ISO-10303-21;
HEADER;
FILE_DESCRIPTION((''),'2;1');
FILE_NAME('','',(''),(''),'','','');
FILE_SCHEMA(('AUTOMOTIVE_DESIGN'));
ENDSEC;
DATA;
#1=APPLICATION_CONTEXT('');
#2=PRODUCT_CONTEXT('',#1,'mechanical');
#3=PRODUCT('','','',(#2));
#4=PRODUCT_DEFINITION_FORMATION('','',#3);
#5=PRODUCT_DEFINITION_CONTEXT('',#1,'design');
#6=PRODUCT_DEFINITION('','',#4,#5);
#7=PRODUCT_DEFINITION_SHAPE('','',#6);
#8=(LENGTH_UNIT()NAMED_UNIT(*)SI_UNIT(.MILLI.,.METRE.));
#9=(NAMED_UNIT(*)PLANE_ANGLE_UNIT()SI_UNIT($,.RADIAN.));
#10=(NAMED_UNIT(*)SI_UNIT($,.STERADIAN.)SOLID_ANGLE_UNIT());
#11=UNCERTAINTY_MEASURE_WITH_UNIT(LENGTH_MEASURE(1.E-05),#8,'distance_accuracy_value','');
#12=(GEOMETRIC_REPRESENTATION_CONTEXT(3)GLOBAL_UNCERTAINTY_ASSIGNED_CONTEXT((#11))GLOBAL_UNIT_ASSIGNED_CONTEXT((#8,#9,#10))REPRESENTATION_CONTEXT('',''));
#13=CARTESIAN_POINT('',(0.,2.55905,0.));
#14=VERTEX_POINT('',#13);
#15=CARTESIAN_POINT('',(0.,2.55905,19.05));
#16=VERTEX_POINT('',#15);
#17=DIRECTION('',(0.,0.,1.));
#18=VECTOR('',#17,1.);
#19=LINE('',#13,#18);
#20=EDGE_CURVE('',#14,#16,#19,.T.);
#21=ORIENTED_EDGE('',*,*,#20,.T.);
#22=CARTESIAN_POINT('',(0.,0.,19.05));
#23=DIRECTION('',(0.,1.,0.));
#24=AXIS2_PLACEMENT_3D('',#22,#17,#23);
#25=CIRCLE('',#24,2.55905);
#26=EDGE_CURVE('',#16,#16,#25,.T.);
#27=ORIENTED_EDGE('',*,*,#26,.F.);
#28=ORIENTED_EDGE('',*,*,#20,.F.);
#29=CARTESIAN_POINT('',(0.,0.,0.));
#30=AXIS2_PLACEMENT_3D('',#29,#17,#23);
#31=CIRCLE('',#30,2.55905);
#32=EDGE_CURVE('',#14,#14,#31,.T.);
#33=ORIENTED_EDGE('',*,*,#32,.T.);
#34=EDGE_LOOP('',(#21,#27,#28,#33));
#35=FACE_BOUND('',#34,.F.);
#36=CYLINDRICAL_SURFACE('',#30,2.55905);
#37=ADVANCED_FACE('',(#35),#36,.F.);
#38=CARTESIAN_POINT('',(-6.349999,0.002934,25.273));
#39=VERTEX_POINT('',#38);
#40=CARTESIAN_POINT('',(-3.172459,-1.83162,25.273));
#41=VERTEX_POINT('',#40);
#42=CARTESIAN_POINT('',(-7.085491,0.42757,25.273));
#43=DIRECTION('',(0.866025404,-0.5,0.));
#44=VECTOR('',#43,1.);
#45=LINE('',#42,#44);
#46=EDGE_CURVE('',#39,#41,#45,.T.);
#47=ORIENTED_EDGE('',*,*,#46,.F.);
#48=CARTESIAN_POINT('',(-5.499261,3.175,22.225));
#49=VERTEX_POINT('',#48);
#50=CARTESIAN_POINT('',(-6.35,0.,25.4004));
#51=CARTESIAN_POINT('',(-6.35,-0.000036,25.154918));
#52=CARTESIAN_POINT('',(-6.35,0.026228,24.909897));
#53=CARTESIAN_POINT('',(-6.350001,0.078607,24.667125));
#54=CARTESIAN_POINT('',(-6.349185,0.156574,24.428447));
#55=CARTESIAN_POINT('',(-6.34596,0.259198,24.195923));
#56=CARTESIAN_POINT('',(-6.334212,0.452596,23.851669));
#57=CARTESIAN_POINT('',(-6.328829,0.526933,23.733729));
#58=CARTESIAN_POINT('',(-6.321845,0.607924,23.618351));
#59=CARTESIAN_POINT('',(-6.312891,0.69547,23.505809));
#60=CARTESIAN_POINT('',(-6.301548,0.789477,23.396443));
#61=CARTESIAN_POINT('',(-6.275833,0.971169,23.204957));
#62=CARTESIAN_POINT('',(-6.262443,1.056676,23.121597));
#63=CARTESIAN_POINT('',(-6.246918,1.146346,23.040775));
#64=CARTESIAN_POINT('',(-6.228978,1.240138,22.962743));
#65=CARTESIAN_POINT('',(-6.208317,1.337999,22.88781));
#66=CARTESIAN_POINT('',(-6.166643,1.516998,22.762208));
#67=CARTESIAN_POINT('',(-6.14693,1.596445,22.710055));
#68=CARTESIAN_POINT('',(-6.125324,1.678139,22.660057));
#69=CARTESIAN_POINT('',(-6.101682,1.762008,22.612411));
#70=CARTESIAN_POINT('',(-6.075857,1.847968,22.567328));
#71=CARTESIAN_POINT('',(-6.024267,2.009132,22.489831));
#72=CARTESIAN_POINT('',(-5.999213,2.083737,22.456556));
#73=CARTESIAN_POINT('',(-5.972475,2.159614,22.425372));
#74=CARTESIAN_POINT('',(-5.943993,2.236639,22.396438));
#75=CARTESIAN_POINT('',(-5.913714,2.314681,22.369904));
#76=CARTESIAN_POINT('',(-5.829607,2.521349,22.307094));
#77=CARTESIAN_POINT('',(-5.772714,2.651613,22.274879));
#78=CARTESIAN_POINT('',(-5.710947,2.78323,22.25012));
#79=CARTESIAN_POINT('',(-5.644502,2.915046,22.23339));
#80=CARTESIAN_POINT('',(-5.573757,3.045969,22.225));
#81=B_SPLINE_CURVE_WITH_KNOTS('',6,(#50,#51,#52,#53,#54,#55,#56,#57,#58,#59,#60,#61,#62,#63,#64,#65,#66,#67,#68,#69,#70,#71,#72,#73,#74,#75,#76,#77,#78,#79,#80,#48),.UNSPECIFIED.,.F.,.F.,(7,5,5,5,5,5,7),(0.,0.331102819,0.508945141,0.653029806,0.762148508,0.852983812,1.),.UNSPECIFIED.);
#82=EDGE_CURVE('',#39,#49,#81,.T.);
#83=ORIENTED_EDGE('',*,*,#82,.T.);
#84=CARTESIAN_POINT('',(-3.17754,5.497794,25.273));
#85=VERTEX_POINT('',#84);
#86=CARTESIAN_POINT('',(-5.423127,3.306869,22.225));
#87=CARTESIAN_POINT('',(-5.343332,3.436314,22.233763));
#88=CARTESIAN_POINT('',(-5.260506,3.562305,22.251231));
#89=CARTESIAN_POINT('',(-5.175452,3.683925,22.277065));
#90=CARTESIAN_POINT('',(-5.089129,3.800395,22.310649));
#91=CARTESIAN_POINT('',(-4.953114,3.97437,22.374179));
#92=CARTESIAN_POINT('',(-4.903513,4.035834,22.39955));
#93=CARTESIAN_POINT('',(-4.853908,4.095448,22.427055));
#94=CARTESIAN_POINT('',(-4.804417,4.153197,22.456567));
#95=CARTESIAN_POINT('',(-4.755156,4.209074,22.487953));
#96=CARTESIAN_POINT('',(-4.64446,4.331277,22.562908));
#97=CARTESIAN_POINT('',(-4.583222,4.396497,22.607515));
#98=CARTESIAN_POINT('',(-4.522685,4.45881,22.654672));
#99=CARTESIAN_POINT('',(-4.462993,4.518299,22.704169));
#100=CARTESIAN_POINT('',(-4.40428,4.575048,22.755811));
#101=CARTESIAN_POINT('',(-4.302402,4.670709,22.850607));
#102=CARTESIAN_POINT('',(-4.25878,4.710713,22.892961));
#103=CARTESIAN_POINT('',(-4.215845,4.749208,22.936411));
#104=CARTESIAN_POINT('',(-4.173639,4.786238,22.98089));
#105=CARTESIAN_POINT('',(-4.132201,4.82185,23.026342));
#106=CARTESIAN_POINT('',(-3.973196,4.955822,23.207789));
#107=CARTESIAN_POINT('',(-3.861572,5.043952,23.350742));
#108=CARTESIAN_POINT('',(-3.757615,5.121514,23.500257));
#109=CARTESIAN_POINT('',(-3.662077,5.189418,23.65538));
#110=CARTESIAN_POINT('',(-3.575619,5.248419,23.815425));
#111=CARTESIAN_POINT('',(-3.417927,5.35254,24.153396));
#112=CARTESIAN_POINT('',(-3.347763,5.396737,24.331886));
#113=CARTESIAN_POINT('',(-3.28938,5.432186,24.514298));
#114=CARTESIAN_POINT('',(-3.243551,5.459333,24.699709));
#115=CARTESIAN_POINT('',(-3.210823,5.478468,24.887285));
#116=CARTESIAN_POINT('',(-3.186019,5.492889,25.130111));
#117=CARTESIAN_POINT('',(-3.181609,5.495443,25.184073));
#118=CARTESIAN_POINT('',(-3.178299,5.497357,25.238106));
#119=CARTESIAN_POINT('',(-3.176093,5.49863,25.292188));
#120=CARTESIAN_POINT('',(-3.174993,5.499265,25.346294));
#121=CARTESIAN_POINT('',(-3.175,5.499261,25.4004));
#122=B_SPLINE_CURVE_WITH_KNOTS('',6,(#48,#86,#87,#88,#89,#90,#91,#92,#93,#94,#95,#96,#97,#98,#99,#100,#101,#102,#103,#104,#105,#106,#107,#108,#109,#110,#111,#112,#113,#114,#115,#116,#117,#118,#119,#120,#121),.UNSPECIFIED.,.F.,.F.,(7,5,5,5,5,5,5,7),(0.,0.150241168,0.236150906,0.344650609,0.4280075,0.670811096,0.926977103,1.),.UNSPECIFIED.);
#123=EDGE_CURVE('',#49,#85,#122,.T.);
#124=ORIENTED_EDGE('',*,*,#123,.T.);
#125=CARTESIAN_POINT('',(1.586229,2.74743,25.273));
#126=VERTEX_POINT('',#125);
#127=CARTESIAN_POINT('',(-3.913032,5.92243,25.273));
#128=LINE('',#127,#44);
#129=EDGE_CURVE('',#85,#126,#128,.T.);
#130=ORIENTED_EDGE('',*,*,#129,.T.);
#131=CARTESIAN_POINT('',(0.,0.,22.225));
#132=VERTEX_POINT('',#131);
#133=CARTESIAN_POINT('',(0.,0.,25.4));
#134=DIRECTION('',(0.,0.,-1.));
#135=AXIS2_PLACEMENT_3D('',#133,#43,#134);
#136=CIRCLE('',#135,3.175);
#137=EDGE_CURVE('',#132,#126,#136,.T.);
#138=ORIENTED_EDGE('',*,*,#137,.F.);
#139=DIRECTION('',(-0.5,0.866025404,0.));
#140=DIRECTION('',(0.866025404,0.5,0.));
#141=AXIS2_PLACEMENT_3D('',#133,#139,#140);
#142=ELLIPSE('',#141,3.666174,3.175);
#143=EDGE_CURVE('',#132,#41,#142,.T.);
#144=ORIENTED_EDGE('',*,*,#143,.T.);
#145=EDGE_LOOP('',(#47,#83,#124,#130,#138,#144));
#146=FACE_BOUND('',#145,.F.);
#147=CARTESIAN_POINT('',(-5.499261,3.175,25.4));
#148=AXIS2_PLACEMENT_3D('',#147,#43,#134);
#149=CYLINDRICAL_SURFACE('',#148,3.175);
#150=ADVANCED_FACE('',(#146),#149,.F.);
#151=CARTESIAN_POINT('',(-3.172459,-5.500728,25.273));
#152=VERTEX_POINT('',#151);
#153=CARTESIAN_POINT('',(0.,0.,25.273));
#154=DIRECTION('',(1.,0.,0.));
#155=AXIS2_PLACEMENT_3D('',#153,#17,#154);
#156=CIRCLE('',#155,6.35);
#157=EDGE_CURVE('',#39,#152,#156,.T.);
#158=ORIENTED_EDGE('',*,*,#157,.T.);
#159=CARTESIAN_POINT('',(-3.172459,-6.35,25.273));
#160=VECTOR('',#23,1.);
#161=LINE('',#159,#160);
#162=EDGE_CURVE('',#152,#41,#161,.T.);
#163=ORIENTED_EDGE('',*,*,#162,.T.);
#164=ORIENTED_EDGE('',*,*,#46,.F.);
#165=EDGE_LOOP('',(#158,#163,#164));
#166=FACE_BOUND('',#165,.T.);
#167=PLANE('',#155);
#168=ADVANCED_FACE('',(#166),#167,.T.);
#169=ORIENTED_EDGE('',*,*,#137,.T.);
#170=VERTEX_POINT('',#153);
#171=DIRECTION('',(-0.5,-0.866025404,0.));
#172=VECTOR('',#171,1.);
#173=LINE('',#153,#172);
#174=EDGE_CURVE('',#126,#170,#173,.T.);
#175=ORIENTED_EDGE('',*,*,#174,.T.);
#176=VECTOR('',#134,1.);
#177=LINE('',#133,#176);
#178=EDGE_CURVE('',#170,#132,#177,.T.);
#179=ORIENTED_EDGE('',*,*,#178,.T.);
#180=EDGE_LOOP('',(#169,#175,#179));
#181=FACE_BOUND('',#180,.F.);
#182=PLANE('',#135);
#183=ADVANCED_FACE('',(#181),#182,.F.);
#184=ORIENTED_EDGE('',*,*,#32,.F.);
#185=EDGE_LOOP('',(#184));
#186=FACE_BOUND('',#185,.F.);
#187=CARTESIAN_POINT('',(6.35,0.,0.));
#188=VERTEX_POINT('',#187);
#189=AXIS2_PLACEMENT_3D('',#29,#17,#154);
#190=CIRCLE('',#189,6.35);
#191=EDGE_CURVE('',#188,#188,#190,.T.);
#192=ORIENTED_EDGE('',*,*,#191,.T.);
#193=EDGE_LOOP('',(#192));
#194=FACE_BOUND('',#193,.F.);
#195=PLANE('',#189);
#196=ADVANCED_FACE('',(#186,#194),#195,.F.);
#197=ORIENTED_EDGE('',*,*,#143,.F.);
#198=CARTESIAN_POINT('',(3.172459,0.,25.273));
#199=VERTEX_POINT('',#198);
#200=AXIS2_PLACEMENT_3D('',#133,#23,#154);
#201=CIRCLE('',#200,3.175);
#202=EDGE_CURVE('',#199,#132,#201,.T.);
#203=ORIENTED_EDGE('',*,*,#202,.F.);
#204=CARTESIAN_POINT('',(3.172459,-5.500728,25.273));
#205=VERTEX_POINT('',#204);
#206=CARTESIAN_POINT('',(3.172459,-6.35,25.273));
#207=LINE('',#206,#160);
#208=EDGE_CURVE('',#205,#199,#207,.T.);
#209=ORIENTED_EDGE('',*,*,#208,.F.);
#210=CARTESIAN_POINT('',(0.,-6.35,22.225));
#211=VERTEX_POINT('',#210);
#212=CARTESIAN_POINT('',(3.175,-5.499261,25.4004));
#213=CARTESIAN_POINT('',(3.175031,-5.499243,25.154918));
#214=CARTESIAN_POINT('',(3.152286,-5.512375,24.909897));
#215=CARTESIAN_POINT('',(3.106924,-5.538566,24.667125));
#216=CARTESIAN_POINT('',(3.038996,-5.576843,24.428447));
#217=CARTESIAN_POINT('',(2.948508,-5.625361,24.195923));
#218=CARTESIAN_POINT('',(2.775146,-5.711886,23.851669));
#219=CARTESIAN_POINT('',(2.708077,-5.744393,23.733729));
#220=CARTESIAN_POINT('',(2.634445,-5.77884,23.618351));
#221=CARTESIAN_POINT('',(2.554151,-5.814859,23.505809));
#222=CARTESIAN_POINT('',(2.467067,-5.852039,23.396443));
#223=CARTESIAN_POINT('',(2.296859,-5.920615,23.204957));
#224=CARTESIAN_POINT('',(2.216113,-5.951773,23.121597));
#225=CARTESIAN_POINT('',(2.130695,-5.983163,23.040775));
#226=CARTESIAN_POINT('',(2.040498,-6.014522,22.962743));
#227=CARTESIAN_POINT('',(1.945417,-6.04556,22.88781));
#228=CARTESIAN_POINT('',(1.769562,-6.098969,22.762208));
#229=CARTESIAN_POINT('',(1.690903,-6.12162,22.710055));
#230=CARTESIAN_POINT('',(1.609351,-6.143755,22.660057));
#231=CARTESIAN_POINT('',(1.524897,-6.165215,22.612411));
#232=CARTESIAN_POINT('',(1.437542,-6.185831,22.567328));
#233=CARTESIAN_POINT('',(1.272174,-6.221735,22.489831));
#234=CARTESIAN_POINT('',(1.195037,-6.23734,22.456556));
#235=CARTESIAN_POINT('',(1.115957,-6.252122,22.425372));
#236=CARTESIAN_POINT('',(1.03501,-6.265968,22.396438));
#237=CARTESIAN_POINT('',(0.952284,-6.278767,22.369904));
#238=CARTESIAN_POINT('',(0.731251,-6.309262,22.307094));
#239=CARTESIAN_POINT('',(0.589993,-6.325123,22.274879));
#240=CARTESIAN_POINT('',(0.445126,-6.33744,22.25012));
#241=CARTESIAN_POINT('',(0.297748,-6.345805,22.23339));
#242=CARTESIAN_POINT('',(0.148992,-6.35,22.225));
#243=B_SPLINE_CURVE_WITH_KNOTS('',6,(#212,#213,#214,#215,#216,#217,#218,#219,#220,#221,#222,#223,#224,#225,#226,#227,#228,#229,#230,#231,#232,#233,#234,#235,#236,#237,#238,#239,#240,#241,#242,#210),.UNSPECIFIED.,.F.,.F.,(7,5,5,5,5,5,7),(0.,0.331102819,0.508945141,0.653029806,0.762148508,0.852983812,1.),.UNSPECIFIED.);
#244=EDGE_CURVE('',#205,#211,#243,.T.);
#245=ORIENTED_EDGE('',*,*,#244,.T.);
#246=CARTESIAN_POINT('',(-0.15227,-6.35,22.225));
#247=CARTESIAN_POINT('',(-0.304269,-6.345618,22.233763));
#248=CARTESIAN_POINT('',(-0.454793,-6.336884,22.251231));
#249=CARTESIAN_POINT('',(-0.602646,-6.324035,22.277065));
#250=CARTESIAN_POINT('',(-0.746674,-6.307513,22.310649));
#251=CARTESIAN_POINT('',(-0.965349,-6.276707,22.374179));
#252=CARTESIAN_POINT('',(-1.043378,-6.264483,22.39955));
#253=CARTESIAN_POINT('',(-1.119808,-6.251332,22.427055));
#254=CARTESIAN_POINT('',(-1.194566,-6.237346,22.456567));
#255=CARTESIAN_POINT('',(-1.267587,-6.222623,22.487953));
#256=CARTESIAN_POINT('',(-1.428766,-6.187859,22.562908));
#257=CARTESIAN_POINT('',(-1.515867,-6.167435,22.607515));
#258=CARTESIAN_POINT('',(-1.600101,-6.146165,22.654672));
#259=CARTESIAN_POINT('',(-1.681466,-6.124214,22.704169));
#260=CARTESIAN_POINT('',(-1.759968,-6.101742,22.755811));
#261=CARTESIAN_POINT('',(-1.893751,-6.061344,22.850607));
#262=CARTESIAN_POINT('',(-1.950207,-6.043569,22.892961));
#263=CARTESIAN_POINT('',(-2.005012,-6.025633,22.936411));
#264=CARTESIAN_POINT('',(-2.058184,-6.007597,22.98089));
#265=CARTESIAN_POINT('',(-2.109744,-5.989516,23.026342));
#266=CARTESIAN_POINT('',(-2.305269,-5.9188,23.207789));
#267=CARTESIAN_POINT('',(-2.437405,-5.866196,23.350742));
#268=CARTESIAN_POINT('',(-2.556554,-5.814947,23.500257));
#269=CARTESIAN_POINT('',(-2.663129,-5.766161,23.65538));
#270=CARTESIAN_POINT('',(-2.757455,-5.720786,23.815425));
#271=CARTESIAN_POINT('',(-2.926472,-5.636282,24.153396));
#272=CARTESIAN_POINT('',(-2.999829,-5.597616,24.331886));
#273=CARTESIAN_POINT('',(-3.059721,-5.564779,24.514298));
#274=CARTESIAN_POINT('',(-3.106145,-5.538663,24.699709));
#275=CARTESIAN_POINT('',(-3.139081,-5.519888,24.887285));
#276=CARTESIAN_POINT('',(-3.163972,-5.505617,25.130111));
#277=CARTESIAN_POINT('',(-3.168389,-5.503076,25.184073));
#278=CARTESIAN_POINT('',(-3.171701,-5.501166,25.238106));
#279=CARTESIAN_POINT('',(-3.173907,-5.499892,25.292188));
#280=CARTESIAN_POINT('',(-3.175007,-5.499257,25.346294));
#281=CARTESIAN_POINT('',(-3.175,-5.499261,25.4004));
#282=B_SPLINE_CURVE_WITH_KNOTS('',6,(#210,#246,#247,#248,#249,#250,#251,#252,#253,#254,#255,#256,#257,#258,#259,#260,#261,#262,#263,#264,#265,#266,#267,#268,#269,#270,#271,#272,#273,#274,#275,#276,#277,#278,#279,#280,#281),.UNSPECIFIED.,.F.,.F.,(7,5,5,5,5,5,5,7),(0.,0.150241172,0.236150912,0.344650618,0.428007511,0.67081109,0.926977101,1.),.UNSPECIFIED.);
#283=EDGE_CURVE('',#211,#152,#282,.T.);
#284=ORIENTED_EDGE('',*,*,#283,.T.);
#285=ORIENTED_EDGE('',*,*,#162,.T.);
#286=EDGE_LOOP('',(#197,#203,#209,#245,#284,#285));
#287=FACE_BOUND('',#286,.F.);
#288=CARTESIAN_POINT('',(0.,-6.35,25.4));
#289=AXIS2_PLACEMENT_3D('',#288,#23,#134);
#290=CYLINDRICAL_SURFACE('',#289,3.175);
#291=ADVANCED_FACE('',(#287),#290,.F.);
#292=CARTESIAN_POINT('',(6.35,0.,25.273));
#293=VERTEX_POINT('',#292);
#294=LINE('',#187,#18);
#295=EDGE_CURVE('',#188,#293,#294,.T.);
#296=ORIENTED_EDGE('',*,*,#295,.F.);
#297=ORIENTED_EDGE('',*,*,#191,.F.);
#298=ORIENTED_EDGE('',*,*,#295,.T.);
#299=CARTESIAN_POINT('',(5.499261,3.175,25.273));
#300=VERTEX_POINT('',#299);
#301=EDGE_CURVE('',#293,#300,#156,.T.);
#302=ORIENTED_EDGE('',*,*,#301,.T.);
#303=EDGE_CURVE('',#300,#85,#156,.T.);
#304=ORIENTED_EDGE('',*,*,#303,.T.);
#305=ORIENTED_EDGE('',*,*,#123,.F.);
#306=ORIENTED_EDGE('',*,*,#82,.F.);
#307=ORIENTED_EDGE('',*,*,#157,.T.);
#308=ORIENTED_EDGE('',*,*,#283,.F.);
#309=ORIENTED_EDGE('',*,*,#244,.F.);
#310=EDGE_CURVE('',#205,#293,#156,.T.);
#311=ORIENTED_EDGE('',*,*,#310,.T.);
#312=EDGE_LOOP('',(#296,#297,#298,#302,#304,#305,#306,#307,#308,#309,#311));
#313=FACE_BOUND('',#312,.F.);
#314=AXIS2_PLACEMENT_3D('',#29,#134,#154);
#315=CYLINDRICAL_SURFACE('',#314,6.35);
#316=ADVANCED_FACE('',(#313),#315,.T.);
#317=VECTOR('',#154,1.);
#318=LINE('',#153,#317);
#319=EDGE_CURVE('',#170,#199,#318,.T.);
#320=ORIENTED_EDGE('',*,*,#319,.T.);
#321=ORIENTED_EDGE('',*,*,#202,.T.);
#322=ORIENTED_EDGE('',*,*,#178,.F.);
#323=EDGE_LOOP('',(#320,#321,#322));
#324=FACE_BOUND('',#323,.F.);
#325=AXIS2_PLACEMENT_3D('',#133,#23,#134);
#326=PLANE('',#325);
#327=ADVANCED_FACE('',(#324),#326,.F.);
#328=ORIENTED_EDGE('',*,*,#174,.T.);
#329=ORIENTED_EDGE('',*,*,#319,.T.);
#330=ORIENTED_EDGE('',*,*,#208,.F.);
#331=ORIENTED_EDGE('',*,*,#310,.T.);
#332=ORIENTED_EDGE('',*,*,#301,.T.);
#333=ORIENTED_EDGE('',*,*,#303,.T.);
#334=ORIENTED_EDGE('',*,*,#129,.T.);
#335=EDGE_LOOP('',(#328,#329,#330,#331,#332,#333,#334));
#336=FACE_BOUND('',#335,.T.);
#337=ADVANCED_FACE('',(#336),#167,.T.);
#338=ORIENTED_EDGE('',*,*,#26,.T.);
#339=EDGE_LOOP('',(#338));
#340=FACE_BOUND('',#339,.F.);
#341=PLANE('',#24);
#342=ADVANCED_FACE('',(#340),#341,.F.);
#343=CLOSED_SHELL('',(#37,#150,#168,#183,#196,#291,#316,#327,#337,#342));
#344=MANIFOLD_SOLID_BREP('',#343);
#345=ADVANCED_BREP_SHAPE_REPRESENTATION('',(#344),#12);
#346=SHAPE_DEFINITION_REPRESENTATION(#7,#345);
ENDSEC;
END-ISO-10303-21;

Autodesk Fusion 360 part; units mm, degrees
sketch "Sketch1" plane through (0, 0, 0) normal (0, 0, 1) x (1, 0, 0)
  circle A0 centre (0, 0) radius 6.35
  dimension "d1" = 12.7
extrude "Extrude1" add sketch "Sketch1" along normal blind 25.4
ref_plane "WorkPlane1" through (0, -6.35, 16.0163) normal (0, -1, 0) x (-1, 0, 0)
sketch "Sketch2" plane through (0, -6.35, 16.0163) normal (0, -1, 0) x (1, 0, 0)
  line L0 (6.35, 9.3837) -> (-6.35, 9.3837)
  line L1 (6.35, -16.0163) -> (-6.35, -16.0163)
  point P0 (0, 9.3837)
ref_plane "WorkPlane2" through (0, 0, 22.225) normal (0, 0, 1) x (1, 0, 0)
sketch "Sketch4" plane through (0, 0, 22.225) normal (0, 0, 1) x (1, 0, 0)
  circle A0 centre (0, 0) radius 6.35
  line L0 (0, 0) -> (0, -6.35) construction
  line L1 (0, 0) -> (5.4993, 3.175) construction
  line L2 (0, 0) -> (-5.4993, 3.175) construction
  dimension "d22" = 360
hole "Hole1" at (0, -6.35, 25.4) direction (0, 1, 0) diameter 6.35 depth 6.35 tip angle 180
pattern_circular "C-Pattern1" count 3 over 360 about axis through (0, 0, 0) along (0, 0, 1) of "Hole1"
extrude "Extrude2" cut sketch "Sketch4" against normal blind 0.127 from surface at 3.175
hole "Hole2" at (0, 0, 0) direction (0, 0, 1) diameter 2.2708 depth 12.573 tip angle 180
hole "Hole3" at (0, 0, 0) direction (0, 0, 1) diameter 5.1181 depth 19.05 tip angle 180
equation "d5 = d1 / 2"
